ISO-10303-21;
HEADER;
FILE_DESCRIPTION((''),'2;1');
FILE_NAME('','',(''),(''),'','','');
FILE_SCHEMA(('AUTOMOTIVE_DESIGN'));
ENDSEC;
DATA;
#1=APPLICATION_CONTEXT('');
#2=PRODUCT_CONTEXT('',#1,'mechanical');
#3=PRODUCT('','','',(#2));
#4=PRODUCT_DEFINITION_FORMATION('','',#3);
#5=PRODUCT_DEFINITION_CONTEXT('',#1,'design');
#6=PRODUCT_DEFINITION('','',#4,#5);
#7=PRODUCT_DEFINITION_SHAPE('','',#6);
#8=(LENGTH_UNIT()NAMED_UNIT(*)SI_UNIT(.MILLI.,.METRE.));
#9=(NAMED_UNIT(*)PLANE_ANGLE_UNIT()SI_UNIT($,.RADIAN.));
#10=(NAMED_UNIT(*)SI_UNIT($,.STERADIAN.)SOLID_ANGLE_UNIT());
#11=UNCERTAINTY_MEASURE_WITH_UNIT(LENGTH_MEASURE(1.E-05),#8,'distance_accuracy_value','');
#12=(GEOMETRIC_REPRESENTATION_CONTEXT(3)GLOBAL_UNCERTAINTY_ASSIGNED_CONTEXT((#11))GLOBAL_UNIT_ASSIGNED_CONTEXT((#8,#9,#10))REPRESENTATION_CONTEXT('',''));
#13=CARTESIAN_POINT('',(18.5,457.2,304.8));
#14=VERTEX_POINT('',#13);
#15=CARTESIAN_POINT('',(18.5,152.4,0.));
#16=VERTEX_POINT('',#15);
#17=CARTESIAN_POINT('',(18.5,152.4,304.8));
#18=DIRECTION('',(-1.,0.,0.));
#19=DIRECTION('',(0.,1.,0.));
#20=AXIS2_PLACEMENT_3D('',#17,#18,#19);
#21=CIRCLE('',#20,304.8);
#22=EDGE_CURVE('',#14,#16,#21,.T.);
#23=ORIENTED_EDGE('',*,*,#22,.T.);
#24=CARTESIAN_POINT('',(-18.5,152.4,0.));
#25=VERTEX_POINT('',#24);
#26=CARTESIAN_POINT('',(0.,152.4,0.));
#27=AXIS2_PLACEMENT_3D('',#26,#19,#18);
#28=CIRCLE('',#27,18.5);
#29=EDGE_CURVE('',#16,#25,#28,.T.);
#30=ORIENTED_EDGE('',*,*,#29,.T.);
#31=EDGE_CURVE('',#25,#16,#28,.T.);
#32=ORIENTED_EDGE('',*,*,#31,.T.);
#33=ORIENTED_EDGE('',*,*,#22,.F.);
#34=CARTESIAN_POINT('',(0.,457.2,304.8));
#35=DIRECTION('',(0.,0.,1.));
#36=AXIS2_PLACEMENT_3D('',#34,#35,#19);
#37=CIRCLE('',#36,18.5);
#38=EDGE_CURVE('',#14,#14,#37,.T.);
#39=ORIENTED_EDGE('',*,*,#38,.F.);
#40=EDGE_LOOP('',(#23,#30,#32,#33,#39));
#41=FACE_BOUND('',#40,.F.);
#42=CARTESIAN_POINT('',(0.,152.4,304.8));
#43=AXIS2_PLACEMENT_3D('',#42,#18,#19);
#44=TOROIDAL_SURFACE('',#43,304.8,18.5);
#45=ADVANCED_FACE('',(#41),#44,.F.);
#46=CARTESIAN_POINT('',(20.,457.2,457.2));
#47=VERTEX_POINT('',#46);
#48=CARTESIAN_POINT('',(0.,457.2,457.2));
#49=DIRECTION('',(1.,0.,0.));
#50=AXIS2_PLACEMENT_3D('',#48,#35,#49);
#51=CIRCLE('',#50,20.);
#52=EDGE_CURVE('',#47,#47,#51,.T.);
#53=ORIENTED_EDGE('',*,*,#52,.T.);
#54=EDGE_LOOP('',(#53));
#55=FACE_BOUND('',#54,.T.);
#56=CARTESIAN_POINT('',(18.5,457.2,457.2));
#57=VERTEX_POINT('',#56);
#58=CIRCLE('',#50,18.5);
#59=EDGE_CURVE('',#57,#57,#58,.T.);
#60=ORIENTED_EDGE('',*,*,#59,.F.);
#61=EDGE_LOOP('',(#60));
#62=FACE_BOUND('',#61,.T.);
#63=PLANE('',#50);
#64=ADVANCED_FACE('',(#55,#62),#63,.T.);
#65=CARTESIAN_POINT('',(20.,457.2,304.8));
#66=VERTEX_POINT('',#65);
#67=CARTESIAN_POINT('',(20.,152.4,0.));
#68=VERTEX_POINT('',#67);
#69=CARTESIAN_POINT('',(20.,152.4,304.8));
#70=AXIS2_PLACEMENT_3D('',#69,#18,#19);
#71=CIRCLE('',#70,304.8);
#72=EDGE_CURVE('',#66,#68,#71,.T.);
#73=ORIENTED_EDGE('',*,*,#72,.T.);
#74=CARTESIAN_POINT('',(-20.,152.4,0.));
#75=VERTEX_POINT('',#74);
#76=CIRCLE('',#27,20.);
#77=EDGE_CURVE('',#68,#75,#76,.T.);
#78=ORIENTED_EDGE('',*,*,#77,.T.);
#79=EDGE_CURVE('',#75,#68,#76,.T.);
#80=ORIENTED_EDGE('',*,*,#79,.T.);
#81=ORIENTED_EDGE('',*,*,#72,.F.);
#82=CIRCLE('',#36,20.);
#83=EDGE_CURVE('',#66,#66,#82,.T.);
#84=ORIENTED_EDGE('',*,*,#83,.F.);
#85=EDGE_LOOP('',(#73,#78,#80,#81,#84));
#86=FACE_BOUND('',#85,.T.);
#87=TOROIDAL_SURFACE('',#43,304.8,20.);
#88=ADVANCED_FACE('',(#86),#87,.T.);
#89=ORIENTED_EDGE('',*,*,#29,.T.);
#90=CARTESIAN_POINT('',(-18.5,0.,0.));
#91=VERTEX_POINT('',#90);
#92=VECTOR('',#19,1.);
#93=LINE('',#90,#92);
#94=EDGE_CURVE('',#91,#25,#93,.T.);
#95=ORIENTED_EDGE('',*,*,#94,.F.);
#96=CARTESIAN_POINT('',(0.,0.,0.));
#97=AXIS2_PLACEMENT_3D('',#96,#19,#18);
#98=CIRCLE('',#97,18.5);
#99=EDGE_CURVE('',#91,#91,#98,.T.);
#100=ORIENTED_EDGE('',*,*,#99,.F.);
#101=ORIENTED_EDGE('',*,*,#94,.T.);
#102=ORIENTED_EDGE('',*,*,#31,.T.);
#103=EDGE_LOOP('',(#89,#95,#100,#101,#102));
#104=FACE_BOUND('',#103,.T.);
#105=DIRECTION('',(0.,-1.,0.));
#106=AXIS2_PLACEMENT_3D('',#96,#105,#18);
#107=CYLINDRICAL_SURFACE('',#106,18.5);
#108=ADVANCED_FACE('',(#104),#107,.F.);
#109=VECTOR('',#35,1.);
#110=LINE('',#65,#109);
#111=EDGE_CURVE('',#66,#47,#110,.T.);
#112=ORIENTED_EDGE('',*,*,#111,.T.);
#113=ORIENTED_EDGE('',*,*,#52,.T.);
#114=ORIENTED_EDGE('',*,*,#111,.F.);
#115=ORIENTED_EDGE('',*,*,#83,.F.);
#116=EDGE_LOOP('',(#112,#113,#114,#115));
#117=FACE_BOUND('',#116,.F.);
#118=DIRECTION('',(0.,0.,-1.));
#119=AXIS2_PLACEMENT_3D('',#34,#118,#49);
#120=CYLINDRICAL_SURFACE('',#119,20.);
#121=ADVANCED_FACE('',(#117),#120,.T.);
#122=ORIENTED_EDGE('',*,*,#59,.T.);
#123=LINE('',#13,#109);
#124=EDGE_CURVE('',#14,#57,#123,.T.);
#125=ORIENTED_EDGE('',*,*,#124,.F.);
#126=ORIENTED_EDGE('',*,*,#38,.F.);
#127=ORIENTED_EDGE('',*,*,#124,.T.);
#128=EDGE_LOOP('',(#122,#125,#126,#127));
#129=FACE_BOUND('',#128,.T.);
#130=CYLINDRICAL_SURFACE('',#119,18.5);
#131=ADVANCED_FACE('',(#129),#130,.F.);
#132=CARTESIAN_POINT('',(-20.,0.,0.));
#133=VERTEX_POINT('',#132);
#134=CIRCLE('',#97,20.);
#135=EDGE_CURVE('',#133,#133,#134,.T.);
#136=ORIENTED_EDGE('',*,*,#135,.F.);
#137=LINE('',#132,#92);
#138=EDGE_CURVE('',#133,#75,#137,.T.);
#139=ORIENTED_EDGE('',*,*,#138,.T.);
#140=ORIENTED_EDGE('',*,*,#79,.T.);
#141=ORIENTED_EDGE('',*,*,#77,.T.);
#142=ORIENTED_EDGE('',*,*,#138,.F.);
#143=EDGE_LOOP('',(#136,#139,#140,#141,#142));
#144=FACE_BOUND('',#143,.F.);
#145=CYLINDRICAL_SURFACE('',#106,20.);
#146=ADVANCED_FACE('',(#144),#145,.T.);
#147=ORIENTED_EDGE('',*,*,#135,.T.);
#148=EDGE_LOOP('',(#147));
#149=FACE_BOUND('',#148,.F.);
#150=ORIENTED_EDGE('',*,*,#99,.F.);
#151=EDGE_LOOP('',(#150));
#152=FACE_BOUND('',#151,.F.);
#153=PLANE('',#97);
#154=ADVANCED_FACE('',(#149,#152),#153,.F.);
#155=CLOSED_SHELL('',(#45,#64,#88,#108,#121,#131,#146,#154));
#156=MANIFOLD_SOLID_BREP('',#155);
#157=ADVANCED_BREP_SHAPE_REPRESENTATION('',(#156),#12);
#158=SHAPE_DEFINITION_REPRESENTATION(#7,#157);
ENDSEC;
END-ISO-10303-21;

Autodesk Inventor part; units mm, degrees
ref_plane "YZ Plane" through (0, 0, 0) normal (1, 0, 0) x (0, 1, 0)
ref_plane "XZ Plane" through (0, 0, 0) normal (0, 1, 0) x (-1, 0, 0)
sketch "Sketch1" plane through (0, 0, 0) normal (0, 1, 0) x (-1, 0, 0)
  circle A0 centre (0, 0) radius 20
  circle A1 centre (0, 0) radius 18.5
  dimension "d0" = 40
  dimension "d1" = 1.5
extrude "Extrusion1" add sketch "Sketch1" along normal blind 152.4
sketch "Sketch4" plane through (0, 152.4, 0) normal (0, 1, 0) x (1, 0, 0)
  circle A0 centre (0, 0) radius 18.5 projected
  circle A1 centre (0, 0) radius 20 projected
  point P0 (-20, 0)
ref_plane "Work Plane4" through (-20, 152.4, 0) normal (-1, 0, 0) x (0, -1, 0)
sketch "Sketch8" plane through (-20, 152.4, 0) normal (-1, 0, 0) x (0, -1, 0)
  line L0 (0, 0) -> (0, 304.8) construction
  arc A0 (-304.8, 304.8) -> (0, 0) centre (0, 304.8) ccw
  line L1 (0, 304.8) -> (-304.8, 304.8) construction
  point P0 (152.4, 0)
  dimension "d7" = 304.8
sweep "Sweep1" add profiles "Sketch4" path "Sketch8"
sketch "Sketch9" plane through (0, 457.2, 304.8) normal (0, 0, 1) x (1, 0, 0)
  circle A0 centre (0, 0) radius 18.5 projected
  circle A1 centre (0, 0) radius 20 projected
  point P0 (0, -457.2)
extrude "Extrusion2" add sketch "Sketch9" along normal blind 152.4
properties part number "sweep" material "ABS Plastic"
